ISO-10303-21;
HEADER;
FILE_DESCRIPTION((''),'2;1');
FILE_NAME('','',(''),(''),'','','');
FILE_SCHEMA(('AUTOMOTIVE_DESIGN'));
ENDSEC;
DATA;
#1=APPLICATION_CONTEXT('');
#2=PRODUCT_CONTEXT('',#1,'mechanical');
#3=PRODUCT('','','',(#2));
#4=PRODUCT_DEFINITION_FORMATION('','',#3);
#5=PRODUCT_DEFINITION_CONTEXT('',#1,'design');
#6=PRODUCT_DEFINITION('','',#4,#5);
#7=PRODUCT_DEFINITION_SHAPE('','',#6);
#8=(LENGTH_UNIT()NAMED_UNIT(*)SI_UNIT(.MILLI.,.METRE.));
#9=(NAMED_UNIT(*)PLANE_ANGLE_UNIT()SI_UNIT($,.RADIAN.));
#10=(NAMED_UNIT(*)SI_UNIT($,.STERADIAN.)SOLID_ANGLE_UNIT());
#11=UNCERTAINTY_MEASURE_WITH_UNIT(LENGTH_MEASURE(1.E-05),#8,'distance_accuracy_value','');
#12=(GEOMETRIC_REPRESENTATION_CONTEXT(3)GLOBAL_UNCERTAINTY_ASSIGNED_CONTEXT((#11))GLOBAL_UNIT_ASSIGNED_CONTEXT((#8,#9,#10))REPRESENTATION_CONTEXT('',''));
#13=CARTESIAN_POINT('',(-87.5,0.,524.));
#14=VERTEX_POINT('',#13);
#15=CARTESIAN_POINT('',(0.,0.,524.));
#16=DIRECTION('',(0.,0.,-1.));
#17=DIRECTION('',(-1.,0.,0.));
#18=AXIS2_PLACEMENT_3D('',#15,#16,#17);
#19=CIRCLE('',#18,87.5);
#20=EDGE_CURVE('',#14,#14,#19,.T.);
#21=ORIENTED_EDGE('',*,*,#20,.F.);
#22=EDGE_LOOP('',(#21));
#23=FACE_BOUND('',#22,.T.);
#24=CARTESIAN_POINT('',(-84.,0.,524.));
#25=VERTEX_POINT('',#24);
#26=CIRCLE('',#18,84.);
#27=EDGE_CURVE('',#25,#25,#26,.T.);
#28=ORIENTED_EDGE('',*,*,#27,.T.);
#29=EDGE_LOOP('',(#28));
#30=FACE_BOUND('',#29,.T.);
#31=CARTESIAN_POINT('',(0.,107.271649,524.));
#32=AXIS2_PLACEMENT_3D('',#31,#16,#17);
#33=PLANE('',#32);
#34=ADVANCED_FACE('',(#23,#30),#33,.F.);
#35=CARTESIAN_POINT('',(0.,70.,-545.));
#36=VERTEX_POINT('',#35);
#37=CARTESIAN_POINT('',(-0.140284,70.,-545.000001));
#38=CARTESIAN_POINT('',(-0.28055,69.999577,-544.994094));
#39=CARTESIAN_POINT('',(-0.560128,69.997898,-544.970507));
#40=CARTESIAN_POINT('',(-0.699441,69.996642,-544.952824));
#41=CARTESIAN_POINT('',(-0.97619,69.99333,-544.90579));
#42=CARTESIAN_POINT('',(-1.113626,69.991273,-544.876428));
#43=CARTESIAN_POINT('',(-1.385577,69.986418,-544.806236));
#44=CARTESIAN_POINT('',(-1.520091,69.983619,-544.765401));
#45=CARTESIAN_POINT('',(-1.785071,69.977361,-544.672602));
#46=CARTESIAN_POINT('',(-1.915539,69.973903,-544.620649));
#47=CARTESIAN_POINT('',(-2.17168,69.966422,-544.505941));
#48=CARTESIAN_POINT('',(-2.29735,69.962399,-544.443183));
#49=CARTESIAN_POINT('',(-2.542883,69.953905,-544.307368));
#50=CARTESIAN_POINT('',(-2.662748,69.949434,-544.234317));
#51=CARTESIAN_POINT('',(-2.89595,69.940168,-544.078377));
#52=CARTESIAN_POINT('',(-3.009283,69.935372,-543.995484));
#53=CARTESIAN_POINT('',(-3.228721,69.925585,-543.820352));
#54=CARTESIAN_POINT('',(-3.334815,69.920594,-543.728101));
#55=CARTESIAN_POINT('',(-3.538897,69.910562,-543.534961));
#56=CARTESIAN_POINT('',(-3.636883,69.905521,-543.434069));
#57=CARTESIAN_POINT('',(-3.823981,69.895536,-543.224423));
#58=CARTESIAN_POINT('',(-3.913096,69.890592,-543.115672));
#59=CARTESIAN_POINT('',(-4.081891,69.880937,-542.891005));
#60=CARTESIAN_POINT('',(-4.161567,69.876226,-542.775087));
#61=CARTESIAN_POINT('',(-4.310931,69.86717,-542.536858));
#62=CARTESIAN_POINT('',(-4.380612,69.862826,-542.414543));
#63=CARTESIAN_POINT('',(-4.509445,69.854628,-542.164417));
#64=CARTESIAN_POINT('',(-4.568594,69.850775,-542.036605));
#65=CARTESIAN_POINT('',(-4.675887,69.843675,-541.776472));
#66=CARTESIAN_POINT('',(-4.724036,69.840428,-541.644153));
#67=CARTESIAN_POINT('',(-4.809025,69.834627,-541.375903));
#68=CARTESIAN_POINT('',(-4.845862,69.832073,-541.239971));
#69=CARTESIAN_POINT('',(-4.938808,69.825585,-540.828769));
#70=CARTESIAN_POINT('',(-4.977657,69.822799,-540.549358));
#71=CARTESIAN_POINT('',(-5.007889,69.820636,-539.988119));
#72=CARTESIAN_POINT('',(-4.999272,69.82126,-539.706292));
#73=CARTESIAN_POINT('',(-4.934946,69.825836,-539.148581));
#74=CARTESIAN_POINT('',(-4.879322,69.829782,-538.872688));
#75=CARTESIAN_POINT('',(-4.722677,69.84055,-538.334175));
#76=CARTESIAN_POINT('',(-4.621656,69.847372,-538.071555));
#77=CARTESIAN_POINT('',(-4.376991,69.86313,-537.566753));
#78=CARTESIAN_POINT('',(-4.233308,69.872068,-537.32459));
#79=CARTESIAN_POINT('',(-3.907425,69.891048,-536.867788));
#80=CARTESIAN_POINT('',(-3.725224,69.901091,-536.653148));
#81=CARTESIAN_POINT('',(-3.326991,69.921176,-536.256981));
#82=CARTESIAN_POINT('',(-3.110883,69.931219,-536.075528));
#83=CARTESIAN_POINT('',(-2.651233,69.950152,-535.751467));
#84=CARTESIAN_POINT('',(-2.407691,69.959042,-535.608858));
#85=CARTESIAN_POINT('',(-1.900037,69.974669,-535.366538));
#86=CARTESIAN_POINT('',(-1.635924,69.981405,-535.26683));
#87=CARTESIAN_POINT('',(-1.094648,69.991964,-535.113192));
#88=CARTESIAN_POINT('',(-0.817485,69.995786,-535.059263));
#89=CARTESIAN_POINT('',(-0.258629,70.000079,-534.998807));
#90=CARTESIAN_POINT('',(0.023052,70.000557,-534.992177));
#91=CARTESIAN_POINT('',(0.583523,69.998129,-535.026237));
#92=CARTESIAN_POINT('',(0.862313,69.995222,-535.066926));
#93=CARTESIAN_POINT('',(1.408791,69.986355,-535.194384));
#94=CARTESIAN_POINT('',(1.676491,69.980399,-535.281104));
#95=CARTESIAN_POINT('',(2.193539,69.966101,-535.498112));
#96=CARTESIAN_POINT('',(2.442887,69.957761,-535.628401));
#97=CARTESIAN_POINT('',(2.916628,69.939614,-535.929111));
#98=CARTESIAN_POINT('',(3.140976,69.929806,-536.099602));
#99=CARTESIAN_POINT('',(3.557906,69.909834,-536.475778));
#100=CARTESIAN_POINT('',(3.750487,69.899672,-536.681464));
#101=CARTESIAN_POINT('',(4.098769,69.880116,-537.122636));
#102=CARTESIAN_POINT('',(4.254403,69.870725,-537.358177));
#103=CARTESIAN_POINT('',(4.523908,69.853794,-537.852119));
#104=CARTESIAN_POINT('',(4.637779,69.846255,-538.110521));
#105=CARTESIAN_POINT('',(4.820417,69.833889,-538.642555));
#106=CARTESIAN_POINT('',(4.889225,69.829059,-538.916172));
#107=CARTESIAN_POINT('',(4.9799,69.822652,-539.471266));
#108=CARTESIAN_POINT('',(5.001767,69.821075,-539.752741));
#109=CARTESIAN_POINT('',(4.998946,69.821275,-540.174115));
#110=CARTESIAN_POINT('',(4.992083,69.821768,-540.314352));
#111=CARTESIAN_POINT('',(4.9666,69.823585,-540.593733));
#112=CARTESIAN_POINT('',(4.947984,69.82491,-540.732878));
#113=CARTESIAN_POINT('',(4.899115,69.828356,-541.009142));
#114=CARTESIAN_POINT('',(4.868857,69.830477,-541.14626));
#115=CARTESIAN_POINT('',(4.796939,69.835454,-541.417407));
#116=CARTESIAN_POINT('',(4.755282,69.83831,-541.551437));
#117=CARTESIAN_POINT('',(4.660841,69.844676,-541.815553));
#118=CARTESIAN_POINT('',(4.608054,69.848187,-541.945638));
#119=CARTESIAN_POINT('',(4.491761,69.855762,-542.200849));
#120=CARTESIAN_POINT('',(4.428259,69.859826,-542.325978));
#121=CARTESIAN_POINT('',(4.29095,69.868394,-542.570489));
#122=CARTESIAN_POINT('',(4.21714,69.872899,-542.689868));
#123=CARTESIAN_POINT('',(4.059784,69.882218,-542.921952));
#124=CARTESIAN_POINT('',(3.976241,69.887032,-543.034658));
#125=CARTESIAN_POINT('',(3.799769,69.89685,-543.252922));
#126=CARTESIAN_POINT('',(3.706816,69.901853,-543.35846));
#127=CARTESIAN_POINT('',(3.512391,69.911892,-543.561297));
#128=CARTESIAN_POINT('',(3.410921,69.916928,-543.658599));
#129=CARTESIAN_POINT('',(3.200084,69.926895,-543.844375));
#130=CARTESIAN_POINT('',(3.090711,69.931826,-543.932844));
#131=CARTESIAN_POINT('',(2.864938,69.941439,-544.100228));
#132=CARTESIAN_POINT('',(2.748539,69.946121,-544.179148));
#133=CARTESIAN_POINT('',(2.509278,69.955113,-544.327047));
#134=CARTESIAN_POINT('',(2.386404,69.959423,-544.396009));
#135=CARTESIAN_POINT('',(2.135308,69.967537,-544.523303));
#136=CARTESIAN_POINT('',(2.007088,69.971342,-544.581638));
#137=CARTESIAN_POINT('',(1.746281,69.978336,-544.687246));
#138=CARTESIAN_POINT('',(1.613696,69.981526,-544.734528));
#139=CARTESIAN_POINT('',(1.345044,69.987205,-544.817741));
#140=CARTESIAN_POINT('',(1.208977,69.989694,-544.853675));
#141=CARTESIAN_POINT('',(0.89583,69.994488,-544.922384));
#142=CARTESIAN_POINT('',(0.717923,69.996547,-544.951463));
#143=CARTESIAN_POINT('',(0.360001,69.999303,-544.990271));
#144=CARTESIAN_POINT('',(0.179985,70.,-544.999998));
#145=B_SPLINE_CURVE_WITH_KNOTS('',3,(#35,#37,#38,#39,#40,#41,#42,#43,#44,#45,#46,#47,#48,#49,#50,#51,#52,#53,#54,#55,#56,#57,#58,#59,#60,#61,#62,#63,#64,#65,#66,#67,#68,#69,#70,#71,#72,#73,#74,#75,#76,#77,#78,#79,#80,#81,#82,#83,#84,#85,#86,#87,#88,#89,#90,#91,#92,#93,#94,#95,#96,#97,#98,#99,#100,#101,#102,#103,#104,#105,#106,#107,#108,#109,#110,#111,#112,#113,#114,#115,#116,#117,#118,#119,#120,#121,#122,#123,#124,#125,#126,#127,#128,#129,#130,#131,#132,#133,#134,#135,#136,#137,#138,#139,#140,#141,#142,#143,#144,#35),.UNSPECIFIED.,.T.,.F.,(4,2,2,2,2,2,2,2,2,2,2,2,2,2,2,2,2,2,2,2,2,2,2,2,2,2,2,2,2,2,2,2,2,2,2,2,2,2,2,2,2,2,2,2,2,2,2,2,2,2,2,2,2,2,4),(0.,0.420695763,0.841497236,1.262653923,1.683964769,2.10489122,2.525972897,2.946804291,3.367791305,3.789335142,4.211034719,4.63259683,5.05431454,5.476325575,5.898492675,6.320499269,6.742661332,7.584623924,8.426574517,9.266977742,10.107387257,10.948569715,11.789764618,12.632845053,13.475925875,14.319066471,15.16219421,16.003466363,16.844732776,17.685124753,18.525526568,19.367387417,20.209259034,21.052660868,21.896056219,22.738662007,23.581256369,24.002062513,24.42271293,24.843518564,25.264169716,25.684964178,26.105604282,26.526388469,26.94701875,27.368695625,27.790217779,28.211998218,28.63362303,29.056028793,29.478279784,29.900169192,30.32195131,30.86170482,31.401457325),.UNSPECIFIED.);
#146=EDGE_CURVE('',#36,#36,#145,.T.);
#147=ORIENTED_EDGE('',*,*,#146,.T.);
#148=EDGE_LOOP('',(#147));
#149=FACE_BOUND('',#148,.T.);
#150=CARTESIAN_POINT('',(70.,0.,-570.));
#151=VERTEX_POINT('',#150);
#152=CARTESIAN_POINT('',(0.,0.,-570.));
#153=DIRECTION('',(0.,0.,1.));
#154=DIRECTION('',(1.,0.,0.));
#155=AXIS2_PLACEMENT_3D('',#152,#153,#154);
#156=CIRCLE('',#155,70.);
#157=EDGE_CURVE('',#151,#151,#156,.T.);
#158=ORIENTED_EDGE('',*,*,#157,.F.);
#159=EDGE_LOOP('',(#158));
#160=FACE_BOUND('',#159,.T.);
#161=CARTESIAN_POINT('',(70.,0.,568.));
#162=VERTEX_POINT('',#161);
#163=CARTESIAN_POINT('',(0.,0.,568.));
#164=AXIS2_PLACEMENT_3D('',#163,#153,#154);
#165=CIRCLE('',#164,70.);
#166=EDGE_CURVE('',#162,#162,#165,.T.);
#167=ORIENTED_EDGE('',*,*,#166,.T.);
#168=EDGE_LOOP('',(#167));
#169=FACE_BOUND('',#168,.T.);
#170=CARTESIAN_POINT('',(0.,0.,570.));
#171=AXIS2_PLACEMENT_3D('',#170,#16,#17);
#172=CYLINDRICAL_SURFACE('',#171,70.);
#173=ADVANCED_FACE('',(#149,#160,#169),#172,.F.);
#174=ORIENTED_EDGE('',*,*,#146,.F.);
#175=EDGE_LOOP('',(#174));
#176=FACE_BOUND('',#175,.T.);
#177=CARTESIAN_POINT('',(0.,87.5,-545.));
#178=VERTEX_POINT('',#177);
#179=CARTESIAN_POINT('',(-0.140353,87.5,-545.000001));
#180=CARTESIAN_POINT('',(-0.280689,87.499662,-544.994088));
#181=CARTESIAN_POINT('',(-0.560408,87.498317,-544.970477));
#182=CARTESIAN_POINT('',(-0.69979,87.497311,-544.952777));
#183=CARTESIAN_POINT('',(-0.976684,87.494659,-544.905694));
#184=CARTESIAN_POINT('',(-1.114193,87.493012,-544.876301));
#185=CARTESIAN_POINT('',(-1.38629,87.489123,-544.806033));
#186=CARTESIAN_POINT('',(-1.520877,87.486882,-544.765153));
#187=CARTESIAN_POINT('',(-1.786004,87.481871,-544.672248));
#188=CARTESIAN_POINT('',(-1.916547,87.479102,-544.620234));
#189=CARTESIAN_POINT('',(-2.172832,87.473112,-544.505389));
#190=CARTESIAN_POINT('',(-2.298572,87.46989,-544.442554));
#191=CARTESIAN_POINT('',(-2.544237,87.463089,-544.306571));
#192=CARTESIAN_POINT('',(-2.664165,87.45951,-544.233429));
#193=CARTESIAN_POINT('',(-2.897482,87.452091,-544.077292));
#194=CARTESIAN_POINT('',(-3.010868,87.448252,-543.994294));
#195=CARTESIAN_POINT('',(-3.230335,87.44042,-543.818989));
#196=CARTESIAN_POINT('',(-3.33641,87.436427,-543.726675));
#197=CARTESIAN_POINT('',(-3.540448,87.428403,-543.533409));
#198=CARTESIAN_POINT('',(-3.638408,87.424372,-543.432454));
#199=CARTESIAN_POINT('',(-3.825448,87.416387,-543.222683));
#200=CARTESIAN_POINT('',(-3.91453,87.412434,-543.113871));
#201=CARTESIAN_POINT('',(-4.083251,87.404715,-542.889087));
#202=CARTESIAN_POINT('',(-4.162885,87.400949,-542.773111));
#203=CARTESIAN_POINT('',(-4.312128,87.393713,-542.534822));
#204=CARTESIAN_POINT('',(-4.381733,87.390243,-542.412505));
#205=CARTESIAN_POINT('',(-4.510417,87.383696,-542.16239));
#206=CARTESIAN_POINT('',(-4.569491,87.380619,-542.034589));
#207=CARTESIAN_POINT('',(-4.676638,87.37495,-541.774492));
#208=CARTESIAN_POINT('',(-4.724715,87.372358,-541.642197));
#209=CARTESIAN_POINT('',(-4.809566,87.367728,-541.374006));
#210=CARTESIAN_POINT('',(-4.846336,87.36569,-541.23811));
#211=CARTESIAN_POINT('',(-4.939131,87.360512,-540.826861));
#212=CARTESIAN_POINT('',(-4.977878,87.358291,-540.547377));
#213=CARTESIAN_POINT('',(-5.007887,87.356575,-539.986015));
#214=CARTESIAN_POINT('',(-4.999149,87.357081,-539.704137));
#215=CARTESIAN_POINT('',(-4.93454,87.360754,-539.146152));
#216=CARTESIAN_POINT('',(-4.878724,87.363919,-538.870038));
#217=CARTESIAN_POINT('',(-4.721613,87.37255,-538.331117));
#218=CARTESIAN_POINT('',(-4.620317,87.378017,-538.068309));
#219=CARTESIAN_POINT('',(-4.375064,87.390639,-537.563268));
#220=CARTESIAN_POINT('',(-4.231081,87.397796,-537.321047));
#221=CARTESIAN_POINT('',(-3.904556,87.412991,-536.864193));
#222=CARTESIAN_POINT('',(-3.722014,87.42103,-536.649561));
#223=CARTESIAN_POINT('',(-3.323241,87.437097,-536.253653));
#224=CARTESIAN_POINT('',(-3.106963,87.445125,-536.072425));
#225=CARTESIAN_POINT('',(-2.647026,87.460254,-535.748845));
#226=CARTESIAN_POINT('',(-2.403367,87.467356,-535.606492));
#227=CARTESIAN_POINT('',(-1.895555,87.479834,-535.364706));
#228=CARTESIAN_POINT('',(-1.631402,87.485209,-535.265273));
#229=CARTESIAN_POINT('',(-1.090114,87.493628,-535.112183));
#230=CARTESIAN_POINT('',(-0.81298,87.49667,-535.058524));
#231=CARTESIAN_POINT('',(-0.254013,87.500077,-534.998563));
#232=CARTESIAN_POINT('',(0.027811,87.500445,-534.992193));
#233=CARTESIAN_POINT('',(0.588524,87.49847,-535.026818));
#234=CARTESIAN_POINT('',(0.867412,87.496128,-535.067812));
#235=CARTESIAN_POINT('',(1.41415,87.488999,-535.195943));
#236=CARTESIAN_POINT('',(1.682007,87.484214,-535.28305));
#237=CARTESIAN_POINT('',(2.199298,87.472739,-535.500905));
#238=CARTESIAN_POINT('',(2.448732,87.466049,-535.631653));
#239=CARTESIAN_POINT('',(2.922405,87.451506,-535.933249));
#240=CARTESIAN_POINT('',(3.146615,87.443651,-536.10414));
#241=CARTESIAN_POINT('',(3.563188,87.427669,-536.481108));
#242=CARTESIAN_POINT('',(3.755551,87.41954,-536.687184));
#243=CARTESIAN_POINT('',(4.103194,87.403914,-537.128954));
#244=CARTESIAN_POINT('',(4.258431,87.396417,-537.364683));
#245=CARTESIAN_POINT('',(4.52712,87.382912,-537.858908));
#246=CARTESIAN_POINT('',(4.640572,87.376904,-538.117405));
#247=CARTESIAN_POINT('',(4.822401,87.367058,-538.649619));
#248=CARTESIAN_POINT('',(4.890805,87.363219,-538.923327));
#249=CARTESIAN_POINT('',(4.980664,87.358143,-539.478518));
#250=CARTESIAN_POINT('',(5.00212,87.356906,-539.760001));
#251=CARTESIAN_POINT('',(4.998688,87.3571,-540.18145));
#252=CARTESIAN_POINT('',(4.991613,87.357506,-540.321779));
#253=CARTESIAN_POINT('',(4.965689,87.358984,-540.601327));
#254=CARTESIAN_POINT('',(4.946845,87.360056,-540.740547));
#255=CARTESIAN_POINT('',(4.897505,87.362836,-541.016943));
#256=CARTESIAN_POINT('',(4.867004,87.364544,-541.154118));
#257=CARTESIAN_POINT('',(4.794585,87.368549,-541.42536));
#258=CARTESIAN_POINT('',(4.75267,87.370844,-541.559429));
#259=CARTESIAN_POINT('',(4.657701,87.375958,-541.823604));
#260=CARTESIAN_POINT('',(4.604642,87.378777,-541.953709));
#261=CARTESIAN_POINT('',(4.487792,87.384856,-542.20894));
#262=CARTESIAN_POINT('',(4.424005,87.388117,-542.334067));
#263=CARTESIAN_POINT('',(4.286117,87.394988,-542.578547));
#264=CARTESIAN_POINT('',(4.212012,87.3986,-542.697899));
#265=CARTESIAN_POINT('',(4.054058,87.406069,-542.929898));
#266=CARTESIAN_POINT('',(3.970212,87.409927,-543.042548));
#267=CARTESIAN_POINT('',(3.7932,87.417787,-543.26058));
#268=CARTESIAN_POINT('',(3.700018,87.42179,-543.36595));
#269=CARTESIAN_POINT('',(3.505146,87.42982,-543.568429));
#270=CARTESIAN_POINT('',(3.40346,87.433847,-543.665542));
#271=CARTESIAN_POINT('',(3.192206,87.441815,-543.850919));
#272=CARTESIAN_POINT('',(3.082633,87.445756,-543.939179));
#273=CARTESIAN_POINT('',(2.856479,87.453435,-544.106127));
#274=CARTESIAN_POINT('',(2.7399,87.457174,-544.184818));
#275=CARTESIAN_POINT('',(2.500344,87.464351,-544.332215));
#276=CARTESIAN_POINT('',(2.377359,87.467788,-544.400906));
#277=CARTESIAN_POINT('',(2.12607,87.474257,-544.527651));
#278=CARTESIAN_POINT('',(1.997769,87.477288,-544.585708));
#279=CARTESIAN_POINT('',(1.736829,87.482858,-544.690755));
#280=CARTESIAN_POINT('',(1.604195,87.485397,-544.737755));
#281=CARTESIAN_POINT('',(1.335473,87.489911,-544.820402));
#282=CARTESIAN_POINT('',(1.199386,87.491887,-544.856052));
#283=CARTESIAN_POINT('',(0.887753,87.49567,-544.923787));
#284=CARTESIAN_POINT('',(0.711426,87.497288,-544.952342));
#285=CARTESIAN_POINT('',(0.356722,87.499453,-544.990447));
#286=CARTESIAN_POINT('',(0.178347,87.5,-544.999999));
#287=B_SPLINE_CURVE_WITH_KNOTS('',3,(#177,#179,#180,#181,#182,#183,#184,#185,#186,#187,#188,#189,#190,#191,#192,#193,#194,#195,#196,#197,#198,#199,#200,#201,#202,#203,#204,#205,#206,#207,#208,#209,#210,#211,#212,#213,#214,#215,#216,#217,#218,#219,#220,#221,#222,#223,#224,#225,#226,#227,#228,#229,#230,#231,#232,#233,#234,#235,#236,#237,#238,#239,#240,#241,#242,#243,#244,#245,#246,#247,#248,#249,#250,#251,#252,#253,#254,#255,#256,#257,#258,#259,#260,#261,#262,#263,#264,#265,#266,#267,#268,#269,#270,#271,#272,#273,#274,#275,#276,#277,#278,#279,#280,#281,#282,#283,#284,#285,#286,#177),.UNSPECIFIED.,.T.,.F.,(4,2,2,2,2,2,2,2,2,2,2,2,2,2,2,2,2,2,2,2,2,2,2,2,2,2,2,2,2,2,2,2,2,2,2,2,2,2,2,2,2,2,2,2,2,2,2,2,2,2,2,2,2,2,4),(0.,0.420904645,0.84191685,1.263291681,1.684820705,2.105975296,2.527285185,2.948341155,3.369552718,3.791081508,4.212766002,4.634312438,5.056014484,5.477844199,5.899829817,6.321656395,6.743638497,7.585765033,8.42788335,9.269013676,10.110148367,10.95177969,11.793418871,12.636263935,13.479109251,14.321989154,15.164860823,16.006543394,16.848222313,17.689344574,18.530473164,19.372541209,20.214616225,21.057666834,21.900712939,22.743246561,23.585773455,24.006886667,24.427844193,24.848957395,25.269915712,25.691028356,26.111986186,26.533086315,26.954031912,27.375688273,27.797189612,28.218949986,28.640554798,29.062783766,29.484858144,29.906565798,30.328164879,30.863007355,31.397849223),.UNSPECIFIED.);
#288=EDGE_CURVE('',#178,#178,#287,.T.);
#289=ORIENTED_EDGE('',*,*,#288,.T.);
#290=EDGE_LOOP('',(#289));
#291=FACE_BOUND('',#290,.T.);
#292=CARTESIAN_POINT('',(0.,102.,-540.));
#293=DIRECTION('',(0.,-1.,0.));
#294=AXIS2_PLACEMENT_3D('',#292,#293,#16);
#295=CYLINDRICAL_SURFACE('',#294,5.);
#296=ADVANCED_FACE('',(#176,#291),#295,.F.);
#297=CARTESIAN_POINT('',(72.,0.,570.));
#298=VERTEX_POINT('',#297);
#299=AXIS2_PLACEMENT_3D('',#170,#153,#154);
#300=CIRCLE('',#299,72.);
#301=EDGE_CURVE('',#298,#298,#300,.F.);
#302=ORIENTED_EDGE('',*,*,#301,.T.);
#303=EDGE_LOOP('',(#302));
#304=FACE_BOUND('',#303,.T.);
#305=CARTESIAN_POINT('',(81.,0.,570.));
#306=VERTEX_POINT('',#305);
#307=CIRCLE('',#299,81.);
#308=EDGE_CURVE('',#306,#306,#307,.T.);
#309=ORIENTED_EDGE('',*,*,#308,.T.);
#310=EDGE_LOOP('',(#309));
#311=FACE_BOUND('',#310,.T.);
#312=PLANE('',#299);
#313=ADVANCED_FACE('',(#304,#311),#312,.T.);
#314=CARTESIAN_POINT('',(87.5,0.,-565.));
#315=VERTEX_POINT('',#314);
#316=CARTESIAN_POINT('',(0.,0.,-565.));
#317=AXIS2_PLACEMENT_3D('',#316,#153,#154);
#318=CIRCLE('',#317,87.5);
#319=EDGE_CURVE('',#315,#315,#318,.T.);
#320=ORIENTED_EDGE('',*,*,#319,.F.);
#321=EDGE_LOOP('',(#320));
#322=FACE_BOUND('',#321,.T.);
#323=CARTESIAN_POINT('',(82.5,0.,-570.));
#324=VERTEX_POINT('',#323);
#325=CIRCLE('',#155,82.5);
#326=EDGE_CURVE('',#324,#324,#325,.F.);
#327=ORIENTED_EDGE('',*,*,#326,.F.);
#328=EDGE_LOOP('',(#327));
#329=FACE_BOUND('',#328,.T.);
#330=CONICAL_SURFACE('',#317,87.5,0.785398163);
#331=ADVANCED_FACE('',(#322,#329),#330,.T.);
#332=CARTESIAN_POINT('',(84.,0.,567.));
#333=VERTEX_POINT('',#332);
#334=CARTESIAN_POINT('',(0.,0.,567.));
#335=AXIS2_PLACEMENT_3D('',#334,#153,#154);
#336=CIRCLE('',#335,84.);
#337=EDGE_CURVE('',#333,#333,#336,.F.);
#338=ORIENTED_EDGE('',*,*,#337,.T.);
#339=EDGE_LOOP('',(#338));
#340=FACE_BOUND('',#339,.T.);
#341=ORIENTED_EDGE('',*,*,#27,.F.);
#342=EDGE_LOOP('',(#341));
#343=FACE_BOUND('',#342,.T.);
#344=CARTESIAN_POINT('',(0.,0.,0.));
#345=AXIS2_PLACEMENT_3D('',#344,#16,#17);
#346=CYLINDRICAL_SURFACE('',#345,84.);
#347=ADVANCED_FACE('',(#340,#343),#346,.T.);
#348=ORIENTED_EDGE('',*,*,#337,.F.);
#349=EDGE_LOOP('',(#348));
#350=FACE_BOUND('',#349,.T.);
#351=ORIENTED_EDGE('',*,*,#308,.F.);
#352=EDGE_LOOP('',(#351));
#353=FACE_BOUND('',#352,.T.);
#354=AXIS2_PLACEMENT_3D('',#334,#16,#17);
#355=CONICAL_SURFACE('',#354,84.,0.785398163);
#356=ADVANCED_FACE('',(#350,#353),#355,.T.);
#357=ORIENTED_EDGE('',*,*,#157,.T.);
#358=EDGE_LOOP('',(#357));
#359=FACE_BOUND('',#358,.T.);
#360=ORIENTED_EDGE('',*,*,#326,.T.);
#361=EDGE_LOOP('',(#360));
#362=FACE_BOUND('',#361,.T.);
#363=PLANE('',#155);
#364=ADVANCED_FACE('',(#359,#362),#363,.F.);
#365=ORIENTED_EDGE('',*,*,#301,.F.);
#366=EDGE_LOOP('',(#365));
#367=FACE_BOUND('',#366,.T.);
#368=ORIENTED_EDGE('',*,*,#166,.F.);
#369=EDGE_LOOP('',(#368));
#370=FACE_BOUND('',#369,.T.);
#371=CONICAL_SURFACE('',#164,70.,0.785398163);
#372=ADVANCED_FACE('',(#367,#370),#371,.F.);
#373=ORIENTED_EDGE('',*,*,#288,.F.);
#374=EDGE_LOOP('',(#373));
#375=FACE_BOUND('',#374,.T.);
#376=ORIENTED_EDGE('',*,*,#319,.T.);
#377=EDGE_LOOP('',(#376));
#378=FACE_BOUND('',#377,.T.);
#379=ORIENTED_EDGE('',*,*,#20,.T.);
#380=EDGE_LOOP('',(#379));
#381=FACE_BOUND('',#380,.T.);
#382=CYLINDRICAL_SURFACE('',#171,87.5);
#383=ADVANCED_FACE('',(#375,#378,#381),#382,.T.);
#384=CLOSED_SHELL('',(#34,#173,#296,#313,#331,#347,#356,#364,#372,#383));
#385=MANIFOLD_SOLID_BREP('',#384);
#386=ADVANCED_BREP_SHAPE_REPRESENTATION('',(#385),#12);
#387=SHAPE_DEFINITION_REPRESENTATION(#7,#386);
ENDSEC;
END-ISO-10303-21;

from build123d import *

# Parameters (mm, degrees)
SKETCH1_R           = 87.5
SKETCH1_R_2         = 70
BOSS_EXTRUDE1_DEPTH = 570
CHAMFER1_SIZE       = 5
SKETCH3_W           = 46
SKETCH3_H           = 23.271648671
CHAMFER2_SIZE       = 3
CHAMFER3_SIZE       = 2
SKETCH4_R           = 5
CUT_EXTRUDE1_DEPTH  = 102


with BuildPart() as part:
    # Sketch1 → Boss-Extrude1 (new body, symmetric)
    with BuildSketch(Plane.XY):
        Circle(SKETCH1_R)
        Circle(SKETCH1_R_2, mode=Mode.SUBTRACT)
    extrude(amount=BOSS_EXTRUDE1_DEPTH, both=True)

    # Chamfer1
    chamfer1_edges = [part.edges().sort_by_distance(p)[0] for p in [
        (-87.5, 0, -570),
    ]]
    chamfer(chamfer1_edges, length=CHAMFER1_SIZE)

    # Sketch3 → Cut-Revolve1 (revolve, cut)
    with BuildSketch(Plane(origin=(0, 0, 0), x_dir=(0, 0, -1), z_dir=(1, 0, 0))):
        with Locations((-547, 95.635824336)):
            Rectangle(SKETCH3_W, SKETCH3_H)
    revolve(axis=Axis((0, 0, 0), (0, 0, 1)), mode=Mode.SUBTRACT)

    # Chamfer2
    chamfer2_edges = [part.edges().sort_by_distance(p)[0] for p in [
        (0, -84, 570),
    ]]
    chamfer(chamfer2_edges, length=CHAMFER2_SIZE)

    # Chamfer3
    chamfer3_edges = [part.edges().sort_by_distance(p)[0] for p in [
        (-70, 0, 570),
    ]]
    chamfer(chamfer3_edges, length=CHAMFER3_SIZE)

    # Sketch4 → Cut-Extrude1 (cut)
    with BuildSketch(Plane(origin=(0, 0, 0), x_dir=(1, 0, 0), z_dir=(0, 1, 0))):
        with Locations((0, 540)):
            Circle(SKETCH4_R)
    extrude(amount=CUT_EXTRUDE1_DEPTH, mode=Mode.SUBTRACT)


solid = part.part
